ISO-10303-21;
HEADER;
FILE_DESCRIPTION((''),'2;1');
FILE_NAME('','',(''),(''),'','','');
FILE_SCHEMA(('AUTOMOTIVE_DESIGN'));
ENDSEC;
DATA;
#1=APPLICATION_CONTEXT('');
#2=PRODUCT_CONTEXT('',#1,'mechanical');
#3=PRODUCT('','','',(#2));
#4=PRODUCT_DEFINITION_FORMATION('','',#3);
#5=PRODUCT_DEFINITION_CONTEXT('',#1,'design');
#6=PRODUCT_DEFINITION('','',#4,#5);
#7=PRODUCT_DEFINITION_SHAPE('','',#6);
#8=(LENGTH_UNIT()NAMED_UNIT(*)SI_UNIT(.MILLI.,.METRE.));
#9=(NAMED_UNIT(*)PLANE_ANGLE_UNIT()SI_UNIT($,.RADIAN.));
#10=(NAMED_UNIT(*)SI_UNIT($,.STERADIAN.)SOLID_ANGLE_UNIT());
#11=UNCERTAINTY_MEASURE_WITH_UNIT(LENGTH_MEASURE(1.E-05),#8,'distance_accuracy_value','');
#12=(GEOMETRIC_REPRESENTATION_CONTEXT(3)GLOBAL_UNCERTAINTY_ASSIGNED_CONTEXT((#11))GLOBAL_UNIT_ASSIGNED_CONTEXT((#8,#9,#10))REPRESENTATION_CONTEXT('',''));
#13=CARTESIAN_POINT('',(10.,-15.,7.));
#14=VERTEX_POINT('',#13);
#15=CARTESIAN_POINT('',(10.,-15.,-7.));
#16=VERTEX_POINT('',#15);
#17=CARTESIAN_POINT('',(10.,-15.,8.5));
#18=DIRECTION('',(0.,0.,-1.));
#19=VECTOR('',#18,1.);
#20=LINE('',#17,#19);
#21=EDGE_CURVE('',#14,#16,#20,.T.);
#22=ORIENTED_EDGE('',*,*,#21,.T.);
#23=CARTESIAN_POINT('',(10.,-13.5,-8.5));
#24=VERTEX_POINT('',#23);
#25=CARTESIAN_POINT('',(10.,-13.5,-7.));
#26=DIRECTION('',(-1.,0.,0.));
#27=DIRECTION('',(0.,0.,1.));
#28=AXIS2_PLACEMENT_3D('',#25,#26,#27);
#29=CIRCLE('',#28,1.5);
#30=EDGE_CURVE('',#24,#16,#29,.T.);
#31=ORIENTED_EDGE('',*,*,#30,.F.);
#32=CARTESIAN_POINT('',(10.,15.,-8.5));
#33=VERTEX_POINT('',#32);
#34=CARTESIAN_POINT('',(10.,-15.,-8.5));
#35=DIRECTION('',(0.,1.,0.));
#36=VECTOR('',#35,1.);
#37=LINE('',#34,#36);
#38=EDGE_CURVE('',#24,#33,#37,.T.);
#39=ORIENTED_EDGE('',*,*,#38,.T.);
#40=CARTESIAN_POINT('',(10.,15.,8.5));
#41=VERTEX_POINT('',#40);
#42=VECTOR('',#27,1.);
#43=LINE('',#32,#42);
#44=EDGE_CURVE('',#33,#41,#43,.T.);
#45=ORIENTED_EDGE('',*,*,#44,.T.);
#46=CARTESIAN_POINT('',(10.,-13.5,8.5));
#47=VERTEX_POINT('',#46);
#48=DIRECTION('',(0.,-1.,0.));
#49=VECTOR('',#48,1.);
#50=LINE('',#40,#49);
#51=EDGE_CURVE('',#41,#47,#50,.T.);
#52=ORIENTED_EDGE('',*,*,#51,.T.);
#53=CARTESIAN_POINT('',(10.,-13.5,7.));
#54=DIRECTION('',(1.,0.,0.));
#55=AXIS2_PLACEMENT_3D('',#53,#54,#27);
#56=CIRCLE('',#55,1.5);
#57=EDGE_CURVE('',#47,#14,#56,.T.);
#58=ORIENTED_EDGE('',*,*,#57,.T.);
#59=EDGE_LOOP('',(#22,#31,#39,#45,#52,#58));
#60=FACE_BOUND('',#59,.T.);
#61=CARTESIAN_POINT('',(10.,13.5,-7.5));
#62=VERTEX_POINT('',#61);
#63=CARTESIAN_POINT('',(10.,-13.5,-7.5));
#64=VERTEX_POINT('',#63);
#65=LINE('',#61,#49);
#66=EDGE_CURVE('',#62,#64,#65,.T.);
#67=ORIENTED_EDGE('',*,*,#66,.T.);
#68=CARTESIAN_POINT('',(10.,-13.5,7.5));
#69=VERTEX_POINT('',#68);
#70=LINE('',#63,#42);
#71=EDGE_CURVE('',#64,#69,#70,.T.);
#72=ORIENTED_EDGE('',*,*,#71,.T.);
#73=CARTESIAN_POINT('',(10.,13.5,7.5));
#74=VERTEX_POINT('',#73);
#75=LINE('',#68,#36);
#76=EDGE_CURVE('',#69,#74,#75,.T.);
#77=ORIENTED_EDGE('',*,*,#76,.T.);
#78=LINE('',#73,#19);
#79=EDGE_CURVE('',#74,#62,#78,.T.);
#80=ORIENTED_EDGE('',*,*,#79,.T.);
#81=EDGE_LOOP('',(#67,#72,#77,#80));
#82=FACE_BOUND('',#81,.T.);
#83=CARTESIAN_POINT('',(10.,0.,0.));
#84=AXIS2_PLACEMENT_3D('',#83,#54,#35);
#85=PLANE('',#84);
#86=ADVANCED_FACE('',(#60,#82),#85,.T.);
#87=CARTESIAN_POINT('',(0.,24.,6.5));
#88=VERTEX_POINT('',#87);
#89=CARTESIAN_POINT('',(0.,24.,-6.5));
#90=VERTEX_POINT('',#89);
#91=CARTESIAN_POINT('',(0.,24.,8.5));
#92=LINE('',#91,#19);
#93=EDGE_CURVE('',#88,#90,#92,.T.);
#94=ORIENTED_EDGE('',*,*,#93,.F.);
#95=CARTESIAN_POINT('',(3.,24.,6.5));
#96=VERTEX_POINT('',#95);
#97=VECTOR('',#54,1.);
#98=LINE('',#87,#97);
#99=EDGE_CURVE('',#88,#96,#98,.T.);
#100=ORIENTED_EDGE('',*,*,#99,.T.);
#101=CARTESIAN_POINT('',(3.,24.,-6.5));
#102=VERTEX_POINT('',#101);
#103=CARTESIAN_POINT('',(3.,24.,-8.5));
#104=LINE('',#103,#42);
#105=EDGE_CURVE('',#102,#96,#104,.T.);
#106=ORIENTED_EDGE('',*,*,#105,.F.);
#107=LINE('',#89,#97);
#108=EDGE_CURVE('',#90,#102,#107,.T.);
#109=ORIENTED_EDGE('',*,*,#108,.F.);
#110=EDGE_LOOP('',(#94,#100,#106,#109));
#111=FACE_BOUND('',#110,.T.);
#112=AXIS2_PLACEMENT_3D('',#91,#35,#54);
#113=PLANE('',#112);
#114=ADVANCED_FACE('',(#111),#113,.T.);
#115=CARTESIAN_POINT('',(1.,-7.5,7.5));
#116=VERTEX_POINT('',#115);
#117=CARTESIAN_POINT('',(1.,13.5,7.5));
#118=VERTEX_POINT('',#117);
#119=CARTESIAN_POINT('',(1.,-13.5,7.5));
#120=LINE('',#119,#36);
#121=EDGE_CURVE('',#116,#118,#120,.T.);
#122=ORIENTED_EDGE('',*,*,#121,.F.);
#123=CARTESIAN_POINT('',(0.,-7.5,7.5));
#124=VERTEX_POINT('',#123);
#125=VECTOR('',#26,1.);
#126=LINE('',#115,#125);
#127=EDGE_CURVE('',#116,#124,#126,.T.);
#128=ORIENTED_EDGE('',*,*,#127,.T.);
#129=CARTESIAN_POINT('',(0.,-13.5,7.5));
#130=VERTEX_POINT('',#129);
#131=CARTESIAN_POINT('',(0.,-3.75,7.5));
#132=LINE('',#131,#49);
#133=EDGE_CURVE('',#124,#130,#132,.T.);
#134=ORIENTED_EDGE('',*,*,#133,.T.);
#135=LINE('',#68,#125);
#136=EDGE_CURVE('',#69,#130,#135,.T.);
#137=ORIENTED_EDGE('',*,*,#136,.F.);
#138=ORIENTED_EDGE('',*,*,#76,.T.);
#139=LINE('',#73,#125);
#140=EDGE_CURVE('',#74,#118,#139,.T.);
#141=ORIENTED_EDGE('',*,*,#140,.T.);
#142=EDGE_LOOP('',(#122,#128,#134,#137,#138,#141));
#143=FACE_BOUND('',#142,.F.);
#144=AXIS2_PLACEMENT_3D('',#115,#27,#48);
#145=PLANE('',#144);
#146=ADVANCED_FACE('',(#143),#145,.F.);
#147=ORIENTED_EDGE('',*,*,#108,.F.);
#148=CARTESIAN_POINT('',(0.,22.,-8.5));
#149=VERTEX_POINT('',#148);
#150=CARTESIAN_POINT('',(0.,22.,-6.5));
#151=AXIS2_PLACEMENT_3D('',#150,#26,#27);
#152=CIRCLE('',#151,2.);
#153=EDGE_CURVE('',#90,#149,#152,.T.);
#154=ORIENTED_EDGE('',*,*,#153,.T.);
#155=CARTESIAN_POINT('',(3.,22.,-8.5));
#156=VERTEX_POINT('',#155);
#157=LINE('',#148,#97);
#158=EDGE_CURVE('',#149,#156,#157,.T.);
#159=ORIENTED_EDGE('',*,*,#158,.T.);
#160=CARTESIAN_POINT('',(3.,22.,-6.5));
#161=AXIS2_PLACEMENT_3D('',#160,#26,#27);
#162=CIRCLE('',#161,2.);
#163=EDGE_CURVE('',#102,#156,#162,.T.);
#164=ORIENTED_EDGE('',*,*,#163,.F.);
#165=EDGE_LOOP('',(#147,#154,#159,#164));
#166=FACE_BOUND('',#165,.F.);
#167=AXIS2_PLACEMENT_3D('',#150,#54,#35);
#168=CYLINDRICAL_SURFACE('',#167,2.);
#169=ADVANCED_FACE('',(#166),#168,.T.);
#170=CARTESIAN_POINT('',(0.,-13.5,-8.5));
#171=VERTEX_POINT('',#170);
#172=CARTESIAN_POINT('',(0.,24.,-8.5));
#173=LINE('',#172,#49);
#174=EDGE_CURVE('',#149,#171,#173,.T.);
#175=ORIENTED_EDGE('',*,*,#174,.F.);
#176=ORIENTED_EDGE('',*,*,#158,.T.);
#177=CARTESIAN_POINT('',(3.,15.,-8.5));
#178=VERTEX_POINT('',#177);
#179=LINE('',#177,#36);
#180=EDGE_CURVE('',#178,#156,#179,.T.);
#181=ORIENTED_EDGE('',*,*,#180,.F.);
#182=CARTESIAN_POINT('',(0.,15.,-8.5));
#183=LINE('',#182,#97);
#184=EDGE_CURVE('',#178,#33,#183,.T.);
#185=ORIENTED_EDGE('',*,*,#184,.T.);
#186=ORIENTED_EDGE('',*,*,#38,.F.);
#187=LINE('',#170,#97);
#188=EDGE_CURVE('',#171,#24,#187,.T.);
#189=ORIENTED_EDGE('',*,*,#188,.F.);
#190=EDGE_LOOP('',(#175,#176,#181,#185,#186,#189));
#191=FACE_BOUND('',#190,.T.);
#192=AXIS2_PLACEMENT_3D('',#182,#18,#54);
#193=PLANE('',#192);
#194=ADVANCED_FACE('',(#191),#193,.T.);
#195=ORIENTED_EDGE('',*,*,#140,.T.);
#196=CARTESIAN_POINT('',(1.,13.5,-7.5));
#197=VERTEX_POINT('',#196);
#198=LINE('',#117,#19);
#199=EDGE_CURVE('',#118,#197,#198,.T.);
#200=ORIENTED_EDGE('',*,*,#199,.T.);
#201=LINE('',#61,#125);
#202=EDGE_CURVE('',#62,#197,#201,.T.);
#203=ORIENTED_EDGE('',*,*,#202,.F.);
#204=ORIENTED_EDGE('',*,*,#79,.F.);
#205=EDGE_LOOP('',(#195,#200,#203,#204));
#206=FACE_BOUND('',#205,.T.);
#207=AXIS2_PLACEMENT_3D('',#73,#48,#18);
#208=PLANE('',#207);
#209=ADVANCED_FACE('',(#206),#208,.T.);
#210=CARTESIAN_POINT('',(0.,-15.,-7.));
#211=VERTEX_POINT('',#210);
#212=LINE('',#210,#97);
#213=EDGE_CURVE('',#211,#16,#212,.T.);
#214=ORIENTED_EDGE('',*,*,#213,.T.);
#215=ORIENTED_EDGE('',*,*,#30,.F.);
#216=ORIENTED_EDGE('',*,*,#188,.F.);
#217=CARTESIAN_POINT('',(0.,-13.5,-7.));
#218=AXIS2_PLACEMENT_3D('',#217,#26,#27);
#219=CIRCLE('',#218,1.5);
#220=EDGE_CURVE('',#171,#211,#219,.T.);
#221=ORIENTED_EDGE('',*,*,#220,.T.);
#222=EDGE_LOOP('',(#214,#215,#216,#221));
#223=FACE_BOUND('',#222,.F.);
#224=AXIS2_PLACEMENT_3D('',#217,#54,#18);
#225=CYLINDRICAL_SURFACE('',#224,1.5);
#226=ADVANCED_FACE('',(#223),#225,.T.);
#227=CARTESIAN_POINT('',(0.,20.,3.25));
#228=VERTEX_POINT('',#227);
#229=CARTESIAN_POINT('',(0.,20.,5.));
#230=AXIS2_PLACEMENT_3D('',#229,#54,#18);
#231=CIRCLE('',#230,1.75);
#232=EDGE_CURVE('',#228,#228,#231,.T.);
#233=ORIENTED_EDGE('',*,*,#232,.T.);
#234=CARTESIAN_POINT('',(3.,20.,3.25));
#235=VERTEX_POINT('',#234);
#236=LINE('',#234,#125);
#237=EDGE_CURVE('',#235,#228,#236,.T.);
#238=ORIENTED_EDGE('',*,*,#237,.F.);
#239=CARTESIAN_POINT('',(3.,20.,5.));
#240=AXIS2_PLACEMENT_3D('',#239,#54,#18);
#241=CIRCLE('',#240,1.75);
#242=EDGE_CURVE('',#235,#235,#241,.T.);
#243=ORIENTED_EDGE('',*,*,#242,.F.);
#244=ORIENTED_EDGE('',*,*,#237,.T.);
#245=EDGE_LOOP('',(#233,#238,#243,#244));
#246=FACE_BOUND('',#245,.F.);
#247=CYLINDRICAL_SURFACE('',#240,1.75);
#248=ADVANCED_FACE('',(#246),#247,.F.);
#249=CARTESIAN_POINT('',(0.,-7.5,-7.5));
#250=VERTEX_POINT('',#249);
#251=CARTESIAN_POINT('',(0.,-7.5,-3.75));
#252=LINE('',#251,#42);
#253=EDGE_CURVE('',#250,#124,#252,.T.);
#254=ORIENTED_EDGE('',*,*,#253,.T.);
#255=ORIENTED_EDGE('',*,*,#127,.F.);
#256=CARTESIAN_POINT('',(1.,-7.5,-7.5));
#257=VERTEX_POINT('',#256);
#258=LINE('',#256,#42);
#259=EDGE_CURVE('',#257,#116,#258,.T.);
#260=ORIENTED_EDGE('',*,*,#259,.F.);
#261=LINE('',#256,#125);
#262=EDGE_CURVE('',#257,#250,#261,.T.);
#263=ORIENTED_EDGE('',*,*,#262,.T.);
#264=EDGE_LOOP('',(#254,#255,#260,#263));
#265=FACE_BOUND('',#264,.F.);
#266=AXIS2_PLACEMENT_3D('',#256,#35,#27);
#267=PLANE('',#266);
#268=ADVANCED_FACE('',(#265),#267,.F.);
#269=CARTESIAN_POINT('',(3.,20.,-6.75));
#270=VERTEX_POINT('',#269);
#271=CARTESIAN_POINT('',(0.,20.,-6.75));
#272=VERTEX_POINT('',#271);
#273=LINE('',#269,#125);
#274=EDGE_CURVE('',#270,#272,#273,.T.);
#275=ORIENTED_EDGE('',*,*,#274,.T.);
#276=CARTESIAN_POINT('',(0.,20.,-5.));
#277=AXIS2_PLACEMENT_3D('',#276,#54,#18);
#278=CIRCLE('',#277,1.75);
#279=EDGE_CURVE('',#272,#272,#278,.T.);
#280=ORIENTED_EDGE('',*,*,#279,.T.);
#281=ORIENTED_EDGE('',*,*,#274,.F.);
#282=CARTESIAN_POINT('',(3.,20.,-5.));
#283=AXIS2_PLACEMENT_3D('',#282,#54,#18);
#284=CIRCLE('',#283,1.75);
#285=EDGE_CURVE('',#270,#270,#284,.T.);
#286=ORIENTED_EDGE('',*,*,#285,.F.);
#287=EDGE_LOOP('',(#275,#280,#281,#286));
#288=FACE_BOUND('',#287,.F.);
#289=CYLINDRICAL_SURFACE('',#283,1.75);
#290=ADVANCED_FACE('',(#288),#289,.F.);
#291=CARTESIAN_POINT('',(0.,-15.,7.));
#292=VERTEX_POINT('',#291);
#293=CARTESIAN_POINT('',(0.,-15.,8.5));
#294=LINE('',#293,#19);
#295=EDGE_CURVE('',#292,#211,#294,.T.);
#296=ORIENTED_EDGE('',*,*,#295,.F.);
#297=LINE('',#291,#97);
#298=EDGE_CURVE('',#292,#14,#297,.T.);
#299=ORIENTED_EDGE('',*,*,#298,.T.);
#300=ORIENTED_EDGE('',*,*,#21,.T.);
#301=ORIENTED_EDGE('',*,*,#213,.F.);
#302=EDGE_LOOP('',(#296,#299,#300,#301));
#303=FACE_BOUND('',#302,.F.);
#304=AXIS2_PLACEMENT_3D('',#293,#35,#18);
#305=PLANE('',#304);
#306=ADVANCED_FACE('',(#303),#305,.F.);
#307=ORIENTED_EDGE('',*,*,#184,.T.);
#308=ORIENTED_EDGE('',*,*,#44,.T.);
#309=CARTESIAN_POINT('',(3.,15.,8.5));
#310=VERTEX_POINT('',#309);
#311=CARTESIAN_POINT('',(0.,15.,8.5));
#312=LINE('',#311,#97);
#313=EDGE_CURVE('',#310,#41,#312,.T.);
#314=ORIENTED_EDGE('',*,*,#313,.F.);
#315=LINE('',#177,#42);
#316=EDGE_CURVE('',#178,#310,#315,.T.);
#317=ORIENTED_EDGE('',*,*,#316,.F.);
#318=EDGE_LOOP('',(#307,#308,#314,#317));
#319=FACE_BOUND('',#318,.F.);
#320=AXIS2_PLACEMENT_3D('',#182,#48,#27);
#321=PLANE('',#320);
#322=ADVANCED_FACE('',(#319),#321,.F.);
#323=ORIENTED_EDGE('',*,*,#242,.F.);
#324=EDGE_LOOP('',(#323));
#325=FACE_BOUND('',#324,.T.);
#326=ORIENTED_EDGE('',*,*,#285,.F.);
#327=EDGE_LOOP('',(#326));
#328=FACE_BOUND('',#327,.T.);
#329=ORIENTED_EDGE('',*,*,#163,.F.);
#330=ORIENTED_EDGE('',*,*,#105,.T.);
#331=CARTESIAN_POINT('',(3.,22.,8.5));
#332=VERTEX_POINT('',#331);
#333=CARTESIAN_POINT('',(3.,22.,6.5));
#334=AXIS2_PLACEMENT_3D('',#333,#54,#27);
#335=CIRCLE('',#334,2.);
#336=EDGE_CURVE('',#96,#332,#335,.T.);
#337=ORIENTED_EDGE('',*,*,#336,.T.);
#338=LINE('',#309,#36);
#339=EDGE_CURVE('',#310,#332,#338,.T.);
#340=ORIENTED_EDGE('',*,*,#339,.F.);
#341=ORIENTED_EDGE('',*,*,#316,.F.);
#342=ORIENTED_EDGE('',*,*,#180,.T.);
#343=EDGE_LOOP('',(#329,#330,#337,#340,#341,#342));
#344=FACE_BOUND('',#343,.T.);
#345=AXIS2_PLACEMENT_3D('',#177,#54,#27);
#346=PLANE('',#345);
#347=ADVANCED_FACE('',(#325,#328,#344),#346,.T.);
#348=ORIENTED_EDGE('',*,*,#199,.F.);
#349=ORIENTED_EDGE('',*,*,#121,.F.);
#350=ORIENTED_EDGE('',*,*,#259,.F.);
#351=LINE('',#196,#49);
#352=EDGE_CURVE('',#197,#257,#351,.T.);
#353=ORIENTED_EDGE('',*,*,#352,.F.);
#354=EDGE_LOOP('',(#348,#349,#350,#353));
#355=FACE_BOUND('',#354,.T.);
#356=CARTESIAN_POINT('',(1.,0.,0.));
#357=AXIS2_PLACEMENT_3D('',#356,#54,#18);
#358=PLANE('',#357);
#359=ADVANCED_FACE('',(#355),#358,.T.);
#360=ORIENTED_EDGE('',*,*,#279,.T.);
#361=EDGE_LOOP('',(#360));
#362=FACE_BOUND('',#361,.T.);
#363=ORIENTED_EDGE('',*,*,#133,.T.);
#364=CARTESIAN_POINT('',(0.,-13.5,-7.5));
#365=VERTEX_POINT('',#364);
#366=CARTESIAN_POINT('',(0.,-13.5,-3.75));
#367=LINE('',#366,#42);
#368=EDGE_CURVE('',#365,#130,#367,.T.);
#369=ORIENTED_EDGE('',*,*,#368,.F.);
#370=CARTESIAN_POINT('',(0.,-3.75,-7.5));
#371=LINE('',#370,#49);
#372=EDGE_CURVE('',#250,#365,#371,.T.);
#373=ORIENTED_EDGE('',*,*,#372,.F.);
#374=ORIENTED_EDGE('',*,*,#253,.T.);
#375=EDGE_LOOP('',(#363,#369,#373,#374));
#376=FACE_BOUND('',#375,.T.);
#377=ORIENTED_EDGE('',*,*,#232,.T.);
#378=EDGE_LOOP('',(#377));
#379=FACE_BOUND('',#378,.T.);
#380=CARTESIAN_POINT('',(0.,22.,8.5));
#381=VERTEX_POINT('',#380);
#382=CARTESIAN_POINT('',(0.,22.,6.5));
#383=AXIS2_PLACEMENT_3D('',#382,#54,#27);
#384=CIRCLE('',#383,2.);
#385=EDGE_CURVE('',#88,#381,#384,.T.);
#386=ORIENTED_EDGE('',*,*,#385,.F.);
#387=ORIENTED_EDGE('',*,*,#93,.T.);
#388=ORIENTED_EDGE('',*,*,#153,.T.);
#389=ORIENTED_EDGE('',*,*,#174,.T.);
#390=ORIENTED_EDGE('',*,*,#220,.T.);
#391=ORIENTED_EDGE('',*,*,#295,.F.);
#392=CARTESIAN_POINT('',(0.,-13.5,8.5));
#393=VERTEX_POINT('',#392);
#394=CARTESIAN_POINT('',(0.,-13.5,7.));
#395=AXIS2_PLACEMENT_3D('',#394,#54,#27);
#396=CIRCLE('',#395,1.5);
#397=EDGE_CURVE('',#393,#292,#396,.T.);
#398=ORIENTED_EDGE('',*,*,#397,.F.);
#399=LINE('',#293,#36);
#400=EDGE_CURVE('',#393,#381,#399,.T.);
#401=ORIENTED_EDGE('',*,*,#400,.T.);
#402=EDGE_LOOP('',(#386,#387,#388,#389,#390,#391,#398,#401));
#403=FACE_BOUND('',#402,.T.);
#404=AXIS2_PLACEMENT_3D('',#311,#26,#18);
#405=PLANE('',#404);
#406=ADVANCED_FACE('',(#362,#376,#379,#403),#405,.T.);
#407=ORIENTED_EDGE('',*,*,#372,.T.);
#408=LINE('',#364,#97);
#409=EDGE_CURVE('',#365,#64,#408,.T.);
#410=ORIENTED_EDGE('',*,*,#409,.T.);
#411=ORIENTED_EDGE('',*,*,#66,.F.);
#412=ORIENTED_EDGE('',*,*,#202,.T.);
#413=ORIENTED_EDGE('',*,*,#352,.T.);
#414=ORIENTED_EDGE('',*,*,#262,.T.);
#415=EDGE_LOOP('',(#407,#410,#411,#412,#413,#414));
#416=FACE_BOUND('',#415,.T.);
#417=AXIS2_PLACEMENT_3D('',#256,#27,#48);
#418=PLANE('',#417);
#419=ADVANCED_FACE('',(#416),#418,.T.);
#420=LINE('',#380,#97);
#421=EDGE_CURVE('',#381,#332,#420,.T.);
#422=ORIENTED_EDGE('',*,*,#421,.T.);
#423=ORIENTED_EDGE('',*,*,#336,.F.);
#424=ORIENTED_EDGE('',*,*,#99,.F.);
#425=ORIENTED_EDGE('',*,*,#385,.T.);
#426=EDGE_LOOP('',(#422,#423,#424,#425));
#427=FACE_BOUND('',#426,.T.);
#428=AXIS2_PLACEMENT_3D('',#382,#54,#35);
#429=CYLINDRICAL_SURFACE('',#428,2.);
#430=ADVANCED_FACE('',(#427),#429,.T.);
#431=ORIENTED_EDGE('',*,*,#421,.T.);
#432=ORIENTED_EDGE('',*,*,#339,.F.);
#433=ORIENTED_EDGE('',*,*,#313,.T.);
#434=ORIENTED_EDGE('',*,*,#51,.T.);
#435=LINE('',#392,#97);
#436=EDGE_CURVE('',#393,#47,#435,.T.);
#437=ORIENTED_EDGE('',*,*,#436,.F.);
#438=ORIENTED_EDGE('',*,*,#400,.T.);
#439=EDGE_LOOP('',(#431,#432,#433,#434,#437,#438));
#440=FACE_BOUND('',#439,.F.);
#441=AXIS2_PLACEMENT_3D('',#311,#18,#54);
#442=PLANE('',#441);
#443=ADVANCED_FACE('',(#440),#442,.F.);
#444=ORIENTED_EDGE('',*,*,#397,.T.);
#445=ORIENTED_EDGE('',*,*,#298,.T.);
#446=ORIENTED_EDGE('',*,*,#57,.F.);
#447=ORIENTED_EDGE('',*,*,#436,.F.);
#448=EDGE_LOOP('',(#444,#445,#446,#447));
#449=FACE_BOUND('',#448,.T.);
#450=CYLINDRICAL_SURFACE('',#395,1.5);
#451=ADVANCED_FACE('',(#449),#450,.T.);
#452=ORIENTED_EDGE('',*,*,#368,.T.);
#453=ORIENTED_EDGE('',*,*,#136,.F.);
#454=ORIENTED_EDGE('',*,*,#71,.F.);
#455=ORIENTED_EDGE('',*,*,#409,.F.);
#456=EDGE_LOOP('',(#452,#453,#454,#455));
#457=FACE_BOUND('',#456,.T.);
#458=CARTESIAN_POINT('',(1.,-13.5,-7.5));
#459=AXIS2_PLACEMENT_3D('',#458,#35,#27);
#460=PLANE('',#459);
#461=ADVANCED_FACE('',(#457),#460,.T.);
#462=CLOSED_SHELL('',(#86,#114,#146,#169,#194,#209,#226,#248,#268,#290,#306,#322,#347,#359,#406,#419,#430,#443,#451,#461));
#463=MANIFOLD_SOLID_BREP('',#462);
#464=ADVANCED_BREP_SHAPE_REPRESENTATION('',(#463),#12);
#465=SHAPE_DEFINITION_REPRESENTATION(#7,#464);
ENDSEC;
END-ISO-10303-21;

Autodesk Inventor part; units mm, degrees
ref_plane "YZ Plane" through (0, 0, 0) normal (1, 0, 0) x (0, 1, 0)
ref_plane "XZ Plane" through (0, 0, 0) normal (0, 1, 0) x (-1, 0, 0)
ref_plane "XY Plane" through (0, 0, 0) normal (0, 0, 1) x (1, 0, 0)
sketch "Esquisse1" plane through (0, 0, 0) normal (1, 0, 0) x (0, 1, 0)
  line L0 (15, 8.5) -> (-15, 8.5)
  line L1 (-15, 8.5) -> (-15, -8.5)
  line L2 (-15, -8.5) -> (15, -8.5)
  line L3 (15, -8.5) -> (15, 8.5)
  point P0 (0, 0)
  point P1 (0, 0)
  point P2 (0, 0)
  dimension "d4" = 30
  dimension "d5" = 17
extrude "Extrusion1" add sketch "Esquisse1" along normal blind 10
sketch "Esquisse2" plane through (10, 0, 0) normal (1, 0, 0) x (0, 0, -1)
  line L0 (-7.5, 13.5) -> (7.5, 13.5)
  line L1 (7.5, 13.5) -> (7.5, -13.5)
  line L2 (7.5, -13.5) -> (-7.5, -13.5)
  line L3 (-7.5, -13.5) -> (-7.5, 13.5)
  line L4 (-7.5, 13.5) -> (7.5, -13.5)
  line L5 (-7.5, -13.5) -> (7.5, 13.5)
  point P0 (0, 0)
  point P1 (0, 0)
  point P2 (0, 0)
  dimension "d8" = 27
  dimension "d9" = 15
extrude "Extrusion2" cut sketch "Esquisse2" against normal blind 9
sketch "Esquisse3" plane through (1, 0, 0) normal (1, 0, 0) x (0, 0, -1)
  line L0 (7.5, -13.5) -> (-7.5, -13.5) projected
  line L1 (7.5, 13.5) -> (7.5, -13.5) projected
  line L2 (-7.5, -13.5) -> (7.5, -13.5)
  line L3 (7.5, -13.5) -> (7.5, -7.5)
  line L4 (7.5, -7.5) -> (-7.5, -7.5)
  line L5 (-7.5, -7.5) -> (-7.5, -13.5)
  point P0 (0, 0)
  dimension "d12" = 6
extrude "Extrusion3" cut sketch "Esquisse3" against normal blind 9
sketch "Esquisse4" plane through (0, 15, 8.5) normal (0, 1, 0) x (1, 0, 0)
  line L0 (0, 0) -> (0, 17) projected
  line L1 (0, 0) -> (10, 0) projected
  line L2 (0, 17) -> (3, 17)
  line L3 (3, 17) -> (3, 0)
  line L4 (3, 0) -> (0, 0)
  line L5 (0, 0) -> (0, 17)
  point P0 (0, 8.5)
extrude "Extrusion4" add sketch "Esquisse4" along normal blind 9
sketch "Esquisse5" plane through (3, 15, 8.5) normal (1, 0, 0) x (0, 0, -1)
  circle A0 centre (13.5, 5) radius 1.75
  line L0 (17, 9) -> (0, 9) projected
  line L1 (8.5, 9) -> (8.5, 0)
  line L2 (17, 0) -> (0, 0) projected
  circle A1 centre (3.5, 5) radius 1.75
  point P0 (8.5, -15)
  dimension "d17" = 3.5
  dimension "d18" = 5
  dimension "d19" = 4
extrude "Extrusion5" cut sketch "Esquisse5" against normal blind 3
fillet "Congé1" radius 2 2 edges at (1.5, 24, -8.5) (1.5, 24, 8.5)
fillet "Congé2" radius 1.5 2 edges at (5, -15, 8.5) (5, -15, -8.5)
properties part number "support_tof_actionneur_panneaux_solaires_Impression 3D"
